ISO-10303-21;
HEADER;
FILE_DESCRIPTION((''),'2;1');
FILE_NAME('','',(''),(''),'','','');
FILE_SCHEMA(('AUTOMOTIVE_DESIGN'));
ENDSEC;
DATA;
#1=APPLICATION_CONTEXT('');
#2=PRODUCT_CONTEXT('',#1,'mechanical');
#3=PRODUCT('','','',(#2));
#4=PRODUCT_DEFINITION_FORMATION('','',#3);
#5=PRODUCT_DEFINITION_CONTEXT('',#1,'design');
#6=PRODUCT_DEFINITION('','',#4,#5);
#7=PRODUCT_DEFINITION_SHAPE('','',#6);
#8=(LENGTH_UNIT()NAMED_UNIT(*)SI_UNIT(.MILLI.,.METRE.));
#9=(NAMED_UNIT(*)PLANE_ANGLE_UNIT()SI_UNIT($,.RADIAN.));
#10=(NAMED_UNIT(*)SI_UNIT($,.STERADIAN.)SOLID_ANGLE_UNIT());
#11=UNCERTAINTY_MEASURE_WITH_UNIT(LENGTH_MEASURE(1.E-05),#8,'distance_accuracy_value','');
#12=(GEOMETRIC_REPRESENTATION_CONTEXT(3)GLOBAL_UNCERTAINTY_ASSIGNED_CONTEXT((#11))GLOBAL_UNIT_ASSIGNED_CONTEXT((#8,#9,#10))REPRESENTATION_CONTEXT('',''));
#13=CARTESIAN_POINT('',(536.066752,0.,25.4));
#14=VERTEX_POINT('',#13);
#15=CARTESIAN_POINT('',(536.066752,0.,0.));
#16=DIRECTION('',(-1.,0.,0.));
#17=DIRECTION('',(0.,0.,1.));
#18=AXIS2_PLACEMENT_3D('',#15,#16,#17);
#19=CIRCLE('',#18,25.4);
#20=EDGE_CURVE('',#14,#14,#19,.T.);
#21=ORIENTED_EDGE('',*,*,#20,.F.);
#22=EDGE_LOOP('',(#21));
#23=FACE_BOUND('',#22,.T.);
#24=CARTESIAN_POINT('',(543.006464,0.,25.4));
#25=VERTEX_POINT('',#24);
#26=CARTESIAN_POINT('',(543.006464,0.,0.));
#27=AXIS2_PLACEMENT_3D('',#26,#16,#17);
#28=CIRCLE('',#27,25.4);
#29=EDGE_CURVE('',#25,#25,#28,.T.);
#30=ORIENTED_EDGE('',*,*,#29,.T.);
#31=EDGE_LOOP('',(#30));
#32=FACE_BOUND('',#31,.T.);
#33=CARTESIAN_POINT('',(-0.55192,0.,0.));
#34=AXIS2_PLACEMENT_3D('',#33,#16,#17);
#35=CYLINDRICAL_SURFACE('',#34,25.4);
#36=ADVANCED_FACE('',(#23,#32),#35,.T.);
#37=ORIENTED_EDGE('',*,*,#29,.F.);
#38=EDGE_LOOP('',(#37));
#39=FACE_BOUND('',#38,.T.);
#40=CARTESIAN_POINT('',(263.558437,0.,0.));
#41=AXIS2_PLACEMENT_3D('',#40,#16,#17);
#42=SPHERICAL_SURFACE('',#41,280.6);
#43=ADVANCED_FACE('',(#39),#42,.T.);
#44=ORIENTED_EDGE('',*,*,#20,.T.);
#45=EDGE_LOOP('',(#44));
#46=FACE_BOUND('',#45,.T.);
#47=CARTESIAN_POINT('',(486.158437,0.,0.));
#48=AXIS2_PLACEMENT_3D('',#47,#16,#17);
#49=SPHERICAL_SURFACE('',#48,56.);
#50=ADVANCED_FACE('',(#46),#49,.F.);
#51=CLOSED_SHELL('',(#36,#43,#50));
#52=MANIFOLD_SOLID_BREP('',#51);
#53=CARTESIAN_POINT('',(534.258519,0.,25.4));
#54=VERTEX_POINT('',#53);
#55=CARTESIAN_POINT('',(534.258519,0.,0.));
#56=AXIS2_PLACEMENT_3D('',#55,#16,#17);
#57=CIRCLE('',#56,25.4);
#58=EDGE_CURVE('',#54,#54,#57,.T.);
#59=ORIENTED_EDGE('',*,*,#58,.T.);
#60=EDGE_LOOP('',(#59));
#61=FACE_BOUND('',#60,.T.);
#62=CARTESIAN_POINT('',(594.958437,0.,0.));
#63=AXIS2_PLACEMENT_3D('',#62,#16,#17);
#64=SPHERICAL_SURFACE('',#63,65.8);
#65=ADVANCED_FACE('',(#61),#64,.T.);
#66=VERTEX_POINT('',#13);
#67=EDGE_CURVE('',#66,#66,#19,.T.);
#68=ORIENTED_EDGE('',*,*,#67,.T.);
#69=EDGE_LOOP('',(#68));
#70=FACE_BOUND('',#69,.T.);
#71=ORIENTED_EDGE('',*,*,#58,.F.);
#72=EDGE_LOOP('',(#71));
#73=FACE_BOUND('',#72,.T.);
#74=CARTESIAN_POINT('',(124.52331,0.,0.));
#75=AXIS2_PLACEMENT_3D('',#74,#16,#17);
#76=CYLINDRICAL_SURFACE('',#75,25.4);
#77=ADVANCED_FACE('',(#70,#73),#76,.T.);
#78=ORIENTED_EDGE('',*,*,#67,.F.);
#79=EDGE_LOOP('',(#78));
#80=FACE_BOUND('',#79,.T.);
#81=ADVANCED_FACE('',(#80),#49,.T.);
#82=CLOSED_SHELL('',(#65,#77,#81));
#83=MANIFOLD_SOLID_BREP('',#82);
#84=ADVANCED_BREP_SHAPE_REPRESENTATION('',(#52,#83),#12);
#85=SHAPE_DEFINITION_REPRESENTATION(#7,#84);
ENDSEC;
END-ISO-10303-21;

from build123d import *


with BuildPart() as part:
    # 草图1 one side → 旋转1 (revolve)
    with BuildSketch(Plane(origin=(0, 0, 0), x_dir=(1, 0, 0), z_dir=(0, 1, 0)), mode=Mode.PRIVATE) as revolve_1_sk:
        with BuildLine():
            ThreePointArc((534.258518881, 25.4), (530.446055605, 12.953482545), (529.158436509, 0))
            Line((529.158436509, 0), (542.158436509, 0))
            ThreePointArc((542.158436509, 0), (540.614224506, 13.060136051), (536.066752449, 25.4))
            Line((536.066752449, 25.4), (534.258518881, 25.4))
        make_face()
    revolve(revolve_1_sk.sketch.rotate(Axis((124.523309526, 0, 0), (1, 0, 0)), 180), axis=Axis((124.523309526, 0, 0), (1, 0, 0)))  # turned: the seam where the file's is


with BuildPart() as body_2:
    # 草图2 one side → 旋转3 (revolve)
    with BuildSketch(Plane(origin=(0, 0, 0), x_dir=(1, 0, 0), z_dir=(0, 1, 0)), mode=Mode.PRIVATE) as revolve_3_sk:
        with BuildLine():
            Line((543.006463877, 25.4), (536.066752449, 25.4))
            ThreePointArc((536.066752449, 25.4), (540.614224506, 13.060136051), (542.158436509, 0))
            Line((542.158436509, 0), (544.158436509, 0))
            ThreePointArc((544.158436509, 0), (543.870295409, 12.713054717), (543.006463877, 25.4))
        make_face()
    revolve(revolve_3_sk.sketch.rotate(Axis((-0.551919993, 0, 0), (1, 0, 0)), 180), axis=Axis((-0.551919993, 0, 0), (1, 0, 0)))  # turned: the seam where the file's is


solid = Compound([part.part, body_2.part])
